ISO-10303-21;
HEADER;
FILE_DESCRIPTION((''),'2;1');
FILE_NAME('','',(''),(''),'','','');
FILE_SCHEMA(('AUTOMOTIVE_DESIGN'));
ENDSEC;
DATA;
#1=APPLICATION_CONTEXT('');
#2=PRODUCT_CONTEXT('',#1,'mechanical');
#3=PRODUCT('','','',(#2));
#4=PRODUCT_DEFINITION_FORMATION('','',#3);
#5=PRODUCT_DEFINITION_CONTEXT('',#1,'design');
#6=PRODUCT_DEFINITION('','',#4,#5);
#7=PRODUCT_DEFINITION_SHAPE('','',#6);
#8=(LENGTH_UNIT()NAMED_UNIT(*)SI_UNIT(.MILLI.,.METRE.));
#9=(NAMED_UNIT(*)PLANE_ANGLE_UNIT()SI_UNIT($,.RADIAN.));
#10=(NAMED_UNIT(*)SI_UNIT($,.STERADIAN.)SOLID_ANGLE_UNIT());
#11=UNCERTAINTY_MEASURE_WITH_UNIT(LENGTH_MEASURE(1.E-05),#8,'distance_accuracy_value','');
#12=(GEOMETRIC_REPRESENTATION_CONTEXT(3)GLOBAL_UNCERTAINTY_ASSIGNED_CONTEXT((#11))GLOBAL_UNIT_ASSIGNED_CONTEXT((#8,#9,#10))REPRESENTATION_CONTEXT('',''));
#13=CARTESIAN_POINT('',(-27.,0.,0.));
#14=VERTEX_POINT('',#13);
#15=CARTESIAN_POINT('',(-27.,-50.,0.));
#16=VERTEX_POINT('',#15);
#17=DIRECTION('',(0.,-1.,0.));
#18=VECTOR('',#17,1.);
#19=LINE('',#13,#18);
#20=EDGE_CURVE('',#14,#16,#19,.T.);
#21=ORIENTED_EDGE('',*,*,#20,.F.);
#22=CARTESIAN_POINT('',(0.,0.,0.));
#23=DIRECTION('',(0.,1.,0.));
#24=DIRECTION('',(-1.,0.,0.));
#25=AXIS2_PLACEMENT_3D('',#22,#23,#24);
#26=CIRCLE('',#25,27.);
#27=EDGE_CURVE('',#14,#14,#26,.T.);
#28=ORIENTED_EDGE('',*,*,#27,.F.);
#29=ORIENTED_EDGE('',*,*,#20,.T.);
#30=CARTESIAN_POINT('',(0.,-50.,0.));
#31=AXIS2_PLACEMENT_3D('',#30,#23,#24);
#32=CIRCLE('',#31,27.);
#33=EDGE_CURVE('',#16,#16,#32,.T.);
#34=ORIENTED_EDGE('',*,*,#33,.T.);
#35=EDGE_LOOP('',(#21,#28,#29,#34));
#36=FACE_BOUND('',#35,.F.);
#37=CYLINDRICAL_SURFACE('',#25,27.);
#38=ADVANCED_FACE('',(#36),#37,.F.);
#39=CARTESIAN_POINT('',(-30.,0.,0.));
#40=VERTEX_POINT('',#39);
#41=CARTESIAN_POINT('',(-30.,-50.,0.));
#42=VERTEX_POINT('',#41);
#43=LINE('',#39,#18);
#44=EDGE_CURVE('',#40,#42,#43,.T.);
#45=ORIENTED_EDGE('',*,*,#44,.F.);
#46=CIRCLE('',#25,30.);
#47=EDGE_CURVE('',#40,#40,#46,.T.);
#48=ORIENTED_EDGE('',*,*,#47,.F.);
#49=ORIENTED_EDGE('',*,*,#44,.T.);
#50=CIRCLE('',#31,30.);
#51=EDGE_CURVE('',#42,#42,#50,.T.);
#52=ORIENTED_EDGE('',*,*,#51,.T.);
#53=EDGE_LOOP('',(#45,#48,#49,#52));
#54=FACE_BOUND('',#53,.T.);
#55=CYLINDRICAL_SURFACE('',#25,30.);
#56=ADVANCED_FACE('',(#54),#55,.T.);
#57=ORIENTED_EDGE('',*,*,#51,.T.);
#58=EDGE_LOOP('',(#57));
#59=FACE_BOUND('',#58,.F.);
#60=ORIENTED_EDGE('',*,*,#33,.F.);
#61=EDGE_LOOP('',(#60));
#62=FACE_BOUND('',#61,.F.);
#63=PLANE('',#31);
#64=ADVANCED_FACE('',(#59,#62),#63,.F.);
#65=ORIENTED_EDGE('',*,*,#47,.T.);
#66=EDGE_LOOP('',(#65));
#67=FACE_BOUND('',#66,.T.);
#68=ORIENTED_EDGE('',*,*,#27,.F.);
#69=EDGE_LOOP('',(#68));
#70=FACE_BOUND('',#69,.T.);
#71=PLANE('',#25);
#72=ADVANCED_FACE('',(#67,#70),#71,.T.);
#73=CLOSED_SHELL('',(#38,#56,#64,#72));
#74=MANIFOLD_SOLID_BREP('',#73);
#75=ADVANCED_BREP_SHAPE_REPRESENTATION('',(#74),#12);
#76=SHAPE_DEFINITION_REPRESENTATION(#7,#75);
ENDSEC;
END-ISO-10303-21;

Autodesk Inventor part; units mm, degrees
ref_plane "YZ Plane" through (0, 0, 0) normal (1, 0, 0) x (0, 1, 0)
ref_plane "XZ Plane" through (0, 0, 0) normal (0, 1, 0) x (-1, 0, 0)
ref_plane "XY Plane" through (0, 0, 0) normal (0, 0, 1) x (1, 0, 0)
sketch "Sketch1" plane through (0, 0, 0) normal (0, 1, 0) x (-1, 0, 0)
  circle A0 centre (0, 0) radius 30
  circle A1 centre (0, 0) radius 27
  dimension "d0" = 60
  dimension "d1" = 3
extrude "Extrusion1" add sketch "Sketch1" against normal blind 50
properties part number "PNS 1772 FDS tube 7" material "Steel"
